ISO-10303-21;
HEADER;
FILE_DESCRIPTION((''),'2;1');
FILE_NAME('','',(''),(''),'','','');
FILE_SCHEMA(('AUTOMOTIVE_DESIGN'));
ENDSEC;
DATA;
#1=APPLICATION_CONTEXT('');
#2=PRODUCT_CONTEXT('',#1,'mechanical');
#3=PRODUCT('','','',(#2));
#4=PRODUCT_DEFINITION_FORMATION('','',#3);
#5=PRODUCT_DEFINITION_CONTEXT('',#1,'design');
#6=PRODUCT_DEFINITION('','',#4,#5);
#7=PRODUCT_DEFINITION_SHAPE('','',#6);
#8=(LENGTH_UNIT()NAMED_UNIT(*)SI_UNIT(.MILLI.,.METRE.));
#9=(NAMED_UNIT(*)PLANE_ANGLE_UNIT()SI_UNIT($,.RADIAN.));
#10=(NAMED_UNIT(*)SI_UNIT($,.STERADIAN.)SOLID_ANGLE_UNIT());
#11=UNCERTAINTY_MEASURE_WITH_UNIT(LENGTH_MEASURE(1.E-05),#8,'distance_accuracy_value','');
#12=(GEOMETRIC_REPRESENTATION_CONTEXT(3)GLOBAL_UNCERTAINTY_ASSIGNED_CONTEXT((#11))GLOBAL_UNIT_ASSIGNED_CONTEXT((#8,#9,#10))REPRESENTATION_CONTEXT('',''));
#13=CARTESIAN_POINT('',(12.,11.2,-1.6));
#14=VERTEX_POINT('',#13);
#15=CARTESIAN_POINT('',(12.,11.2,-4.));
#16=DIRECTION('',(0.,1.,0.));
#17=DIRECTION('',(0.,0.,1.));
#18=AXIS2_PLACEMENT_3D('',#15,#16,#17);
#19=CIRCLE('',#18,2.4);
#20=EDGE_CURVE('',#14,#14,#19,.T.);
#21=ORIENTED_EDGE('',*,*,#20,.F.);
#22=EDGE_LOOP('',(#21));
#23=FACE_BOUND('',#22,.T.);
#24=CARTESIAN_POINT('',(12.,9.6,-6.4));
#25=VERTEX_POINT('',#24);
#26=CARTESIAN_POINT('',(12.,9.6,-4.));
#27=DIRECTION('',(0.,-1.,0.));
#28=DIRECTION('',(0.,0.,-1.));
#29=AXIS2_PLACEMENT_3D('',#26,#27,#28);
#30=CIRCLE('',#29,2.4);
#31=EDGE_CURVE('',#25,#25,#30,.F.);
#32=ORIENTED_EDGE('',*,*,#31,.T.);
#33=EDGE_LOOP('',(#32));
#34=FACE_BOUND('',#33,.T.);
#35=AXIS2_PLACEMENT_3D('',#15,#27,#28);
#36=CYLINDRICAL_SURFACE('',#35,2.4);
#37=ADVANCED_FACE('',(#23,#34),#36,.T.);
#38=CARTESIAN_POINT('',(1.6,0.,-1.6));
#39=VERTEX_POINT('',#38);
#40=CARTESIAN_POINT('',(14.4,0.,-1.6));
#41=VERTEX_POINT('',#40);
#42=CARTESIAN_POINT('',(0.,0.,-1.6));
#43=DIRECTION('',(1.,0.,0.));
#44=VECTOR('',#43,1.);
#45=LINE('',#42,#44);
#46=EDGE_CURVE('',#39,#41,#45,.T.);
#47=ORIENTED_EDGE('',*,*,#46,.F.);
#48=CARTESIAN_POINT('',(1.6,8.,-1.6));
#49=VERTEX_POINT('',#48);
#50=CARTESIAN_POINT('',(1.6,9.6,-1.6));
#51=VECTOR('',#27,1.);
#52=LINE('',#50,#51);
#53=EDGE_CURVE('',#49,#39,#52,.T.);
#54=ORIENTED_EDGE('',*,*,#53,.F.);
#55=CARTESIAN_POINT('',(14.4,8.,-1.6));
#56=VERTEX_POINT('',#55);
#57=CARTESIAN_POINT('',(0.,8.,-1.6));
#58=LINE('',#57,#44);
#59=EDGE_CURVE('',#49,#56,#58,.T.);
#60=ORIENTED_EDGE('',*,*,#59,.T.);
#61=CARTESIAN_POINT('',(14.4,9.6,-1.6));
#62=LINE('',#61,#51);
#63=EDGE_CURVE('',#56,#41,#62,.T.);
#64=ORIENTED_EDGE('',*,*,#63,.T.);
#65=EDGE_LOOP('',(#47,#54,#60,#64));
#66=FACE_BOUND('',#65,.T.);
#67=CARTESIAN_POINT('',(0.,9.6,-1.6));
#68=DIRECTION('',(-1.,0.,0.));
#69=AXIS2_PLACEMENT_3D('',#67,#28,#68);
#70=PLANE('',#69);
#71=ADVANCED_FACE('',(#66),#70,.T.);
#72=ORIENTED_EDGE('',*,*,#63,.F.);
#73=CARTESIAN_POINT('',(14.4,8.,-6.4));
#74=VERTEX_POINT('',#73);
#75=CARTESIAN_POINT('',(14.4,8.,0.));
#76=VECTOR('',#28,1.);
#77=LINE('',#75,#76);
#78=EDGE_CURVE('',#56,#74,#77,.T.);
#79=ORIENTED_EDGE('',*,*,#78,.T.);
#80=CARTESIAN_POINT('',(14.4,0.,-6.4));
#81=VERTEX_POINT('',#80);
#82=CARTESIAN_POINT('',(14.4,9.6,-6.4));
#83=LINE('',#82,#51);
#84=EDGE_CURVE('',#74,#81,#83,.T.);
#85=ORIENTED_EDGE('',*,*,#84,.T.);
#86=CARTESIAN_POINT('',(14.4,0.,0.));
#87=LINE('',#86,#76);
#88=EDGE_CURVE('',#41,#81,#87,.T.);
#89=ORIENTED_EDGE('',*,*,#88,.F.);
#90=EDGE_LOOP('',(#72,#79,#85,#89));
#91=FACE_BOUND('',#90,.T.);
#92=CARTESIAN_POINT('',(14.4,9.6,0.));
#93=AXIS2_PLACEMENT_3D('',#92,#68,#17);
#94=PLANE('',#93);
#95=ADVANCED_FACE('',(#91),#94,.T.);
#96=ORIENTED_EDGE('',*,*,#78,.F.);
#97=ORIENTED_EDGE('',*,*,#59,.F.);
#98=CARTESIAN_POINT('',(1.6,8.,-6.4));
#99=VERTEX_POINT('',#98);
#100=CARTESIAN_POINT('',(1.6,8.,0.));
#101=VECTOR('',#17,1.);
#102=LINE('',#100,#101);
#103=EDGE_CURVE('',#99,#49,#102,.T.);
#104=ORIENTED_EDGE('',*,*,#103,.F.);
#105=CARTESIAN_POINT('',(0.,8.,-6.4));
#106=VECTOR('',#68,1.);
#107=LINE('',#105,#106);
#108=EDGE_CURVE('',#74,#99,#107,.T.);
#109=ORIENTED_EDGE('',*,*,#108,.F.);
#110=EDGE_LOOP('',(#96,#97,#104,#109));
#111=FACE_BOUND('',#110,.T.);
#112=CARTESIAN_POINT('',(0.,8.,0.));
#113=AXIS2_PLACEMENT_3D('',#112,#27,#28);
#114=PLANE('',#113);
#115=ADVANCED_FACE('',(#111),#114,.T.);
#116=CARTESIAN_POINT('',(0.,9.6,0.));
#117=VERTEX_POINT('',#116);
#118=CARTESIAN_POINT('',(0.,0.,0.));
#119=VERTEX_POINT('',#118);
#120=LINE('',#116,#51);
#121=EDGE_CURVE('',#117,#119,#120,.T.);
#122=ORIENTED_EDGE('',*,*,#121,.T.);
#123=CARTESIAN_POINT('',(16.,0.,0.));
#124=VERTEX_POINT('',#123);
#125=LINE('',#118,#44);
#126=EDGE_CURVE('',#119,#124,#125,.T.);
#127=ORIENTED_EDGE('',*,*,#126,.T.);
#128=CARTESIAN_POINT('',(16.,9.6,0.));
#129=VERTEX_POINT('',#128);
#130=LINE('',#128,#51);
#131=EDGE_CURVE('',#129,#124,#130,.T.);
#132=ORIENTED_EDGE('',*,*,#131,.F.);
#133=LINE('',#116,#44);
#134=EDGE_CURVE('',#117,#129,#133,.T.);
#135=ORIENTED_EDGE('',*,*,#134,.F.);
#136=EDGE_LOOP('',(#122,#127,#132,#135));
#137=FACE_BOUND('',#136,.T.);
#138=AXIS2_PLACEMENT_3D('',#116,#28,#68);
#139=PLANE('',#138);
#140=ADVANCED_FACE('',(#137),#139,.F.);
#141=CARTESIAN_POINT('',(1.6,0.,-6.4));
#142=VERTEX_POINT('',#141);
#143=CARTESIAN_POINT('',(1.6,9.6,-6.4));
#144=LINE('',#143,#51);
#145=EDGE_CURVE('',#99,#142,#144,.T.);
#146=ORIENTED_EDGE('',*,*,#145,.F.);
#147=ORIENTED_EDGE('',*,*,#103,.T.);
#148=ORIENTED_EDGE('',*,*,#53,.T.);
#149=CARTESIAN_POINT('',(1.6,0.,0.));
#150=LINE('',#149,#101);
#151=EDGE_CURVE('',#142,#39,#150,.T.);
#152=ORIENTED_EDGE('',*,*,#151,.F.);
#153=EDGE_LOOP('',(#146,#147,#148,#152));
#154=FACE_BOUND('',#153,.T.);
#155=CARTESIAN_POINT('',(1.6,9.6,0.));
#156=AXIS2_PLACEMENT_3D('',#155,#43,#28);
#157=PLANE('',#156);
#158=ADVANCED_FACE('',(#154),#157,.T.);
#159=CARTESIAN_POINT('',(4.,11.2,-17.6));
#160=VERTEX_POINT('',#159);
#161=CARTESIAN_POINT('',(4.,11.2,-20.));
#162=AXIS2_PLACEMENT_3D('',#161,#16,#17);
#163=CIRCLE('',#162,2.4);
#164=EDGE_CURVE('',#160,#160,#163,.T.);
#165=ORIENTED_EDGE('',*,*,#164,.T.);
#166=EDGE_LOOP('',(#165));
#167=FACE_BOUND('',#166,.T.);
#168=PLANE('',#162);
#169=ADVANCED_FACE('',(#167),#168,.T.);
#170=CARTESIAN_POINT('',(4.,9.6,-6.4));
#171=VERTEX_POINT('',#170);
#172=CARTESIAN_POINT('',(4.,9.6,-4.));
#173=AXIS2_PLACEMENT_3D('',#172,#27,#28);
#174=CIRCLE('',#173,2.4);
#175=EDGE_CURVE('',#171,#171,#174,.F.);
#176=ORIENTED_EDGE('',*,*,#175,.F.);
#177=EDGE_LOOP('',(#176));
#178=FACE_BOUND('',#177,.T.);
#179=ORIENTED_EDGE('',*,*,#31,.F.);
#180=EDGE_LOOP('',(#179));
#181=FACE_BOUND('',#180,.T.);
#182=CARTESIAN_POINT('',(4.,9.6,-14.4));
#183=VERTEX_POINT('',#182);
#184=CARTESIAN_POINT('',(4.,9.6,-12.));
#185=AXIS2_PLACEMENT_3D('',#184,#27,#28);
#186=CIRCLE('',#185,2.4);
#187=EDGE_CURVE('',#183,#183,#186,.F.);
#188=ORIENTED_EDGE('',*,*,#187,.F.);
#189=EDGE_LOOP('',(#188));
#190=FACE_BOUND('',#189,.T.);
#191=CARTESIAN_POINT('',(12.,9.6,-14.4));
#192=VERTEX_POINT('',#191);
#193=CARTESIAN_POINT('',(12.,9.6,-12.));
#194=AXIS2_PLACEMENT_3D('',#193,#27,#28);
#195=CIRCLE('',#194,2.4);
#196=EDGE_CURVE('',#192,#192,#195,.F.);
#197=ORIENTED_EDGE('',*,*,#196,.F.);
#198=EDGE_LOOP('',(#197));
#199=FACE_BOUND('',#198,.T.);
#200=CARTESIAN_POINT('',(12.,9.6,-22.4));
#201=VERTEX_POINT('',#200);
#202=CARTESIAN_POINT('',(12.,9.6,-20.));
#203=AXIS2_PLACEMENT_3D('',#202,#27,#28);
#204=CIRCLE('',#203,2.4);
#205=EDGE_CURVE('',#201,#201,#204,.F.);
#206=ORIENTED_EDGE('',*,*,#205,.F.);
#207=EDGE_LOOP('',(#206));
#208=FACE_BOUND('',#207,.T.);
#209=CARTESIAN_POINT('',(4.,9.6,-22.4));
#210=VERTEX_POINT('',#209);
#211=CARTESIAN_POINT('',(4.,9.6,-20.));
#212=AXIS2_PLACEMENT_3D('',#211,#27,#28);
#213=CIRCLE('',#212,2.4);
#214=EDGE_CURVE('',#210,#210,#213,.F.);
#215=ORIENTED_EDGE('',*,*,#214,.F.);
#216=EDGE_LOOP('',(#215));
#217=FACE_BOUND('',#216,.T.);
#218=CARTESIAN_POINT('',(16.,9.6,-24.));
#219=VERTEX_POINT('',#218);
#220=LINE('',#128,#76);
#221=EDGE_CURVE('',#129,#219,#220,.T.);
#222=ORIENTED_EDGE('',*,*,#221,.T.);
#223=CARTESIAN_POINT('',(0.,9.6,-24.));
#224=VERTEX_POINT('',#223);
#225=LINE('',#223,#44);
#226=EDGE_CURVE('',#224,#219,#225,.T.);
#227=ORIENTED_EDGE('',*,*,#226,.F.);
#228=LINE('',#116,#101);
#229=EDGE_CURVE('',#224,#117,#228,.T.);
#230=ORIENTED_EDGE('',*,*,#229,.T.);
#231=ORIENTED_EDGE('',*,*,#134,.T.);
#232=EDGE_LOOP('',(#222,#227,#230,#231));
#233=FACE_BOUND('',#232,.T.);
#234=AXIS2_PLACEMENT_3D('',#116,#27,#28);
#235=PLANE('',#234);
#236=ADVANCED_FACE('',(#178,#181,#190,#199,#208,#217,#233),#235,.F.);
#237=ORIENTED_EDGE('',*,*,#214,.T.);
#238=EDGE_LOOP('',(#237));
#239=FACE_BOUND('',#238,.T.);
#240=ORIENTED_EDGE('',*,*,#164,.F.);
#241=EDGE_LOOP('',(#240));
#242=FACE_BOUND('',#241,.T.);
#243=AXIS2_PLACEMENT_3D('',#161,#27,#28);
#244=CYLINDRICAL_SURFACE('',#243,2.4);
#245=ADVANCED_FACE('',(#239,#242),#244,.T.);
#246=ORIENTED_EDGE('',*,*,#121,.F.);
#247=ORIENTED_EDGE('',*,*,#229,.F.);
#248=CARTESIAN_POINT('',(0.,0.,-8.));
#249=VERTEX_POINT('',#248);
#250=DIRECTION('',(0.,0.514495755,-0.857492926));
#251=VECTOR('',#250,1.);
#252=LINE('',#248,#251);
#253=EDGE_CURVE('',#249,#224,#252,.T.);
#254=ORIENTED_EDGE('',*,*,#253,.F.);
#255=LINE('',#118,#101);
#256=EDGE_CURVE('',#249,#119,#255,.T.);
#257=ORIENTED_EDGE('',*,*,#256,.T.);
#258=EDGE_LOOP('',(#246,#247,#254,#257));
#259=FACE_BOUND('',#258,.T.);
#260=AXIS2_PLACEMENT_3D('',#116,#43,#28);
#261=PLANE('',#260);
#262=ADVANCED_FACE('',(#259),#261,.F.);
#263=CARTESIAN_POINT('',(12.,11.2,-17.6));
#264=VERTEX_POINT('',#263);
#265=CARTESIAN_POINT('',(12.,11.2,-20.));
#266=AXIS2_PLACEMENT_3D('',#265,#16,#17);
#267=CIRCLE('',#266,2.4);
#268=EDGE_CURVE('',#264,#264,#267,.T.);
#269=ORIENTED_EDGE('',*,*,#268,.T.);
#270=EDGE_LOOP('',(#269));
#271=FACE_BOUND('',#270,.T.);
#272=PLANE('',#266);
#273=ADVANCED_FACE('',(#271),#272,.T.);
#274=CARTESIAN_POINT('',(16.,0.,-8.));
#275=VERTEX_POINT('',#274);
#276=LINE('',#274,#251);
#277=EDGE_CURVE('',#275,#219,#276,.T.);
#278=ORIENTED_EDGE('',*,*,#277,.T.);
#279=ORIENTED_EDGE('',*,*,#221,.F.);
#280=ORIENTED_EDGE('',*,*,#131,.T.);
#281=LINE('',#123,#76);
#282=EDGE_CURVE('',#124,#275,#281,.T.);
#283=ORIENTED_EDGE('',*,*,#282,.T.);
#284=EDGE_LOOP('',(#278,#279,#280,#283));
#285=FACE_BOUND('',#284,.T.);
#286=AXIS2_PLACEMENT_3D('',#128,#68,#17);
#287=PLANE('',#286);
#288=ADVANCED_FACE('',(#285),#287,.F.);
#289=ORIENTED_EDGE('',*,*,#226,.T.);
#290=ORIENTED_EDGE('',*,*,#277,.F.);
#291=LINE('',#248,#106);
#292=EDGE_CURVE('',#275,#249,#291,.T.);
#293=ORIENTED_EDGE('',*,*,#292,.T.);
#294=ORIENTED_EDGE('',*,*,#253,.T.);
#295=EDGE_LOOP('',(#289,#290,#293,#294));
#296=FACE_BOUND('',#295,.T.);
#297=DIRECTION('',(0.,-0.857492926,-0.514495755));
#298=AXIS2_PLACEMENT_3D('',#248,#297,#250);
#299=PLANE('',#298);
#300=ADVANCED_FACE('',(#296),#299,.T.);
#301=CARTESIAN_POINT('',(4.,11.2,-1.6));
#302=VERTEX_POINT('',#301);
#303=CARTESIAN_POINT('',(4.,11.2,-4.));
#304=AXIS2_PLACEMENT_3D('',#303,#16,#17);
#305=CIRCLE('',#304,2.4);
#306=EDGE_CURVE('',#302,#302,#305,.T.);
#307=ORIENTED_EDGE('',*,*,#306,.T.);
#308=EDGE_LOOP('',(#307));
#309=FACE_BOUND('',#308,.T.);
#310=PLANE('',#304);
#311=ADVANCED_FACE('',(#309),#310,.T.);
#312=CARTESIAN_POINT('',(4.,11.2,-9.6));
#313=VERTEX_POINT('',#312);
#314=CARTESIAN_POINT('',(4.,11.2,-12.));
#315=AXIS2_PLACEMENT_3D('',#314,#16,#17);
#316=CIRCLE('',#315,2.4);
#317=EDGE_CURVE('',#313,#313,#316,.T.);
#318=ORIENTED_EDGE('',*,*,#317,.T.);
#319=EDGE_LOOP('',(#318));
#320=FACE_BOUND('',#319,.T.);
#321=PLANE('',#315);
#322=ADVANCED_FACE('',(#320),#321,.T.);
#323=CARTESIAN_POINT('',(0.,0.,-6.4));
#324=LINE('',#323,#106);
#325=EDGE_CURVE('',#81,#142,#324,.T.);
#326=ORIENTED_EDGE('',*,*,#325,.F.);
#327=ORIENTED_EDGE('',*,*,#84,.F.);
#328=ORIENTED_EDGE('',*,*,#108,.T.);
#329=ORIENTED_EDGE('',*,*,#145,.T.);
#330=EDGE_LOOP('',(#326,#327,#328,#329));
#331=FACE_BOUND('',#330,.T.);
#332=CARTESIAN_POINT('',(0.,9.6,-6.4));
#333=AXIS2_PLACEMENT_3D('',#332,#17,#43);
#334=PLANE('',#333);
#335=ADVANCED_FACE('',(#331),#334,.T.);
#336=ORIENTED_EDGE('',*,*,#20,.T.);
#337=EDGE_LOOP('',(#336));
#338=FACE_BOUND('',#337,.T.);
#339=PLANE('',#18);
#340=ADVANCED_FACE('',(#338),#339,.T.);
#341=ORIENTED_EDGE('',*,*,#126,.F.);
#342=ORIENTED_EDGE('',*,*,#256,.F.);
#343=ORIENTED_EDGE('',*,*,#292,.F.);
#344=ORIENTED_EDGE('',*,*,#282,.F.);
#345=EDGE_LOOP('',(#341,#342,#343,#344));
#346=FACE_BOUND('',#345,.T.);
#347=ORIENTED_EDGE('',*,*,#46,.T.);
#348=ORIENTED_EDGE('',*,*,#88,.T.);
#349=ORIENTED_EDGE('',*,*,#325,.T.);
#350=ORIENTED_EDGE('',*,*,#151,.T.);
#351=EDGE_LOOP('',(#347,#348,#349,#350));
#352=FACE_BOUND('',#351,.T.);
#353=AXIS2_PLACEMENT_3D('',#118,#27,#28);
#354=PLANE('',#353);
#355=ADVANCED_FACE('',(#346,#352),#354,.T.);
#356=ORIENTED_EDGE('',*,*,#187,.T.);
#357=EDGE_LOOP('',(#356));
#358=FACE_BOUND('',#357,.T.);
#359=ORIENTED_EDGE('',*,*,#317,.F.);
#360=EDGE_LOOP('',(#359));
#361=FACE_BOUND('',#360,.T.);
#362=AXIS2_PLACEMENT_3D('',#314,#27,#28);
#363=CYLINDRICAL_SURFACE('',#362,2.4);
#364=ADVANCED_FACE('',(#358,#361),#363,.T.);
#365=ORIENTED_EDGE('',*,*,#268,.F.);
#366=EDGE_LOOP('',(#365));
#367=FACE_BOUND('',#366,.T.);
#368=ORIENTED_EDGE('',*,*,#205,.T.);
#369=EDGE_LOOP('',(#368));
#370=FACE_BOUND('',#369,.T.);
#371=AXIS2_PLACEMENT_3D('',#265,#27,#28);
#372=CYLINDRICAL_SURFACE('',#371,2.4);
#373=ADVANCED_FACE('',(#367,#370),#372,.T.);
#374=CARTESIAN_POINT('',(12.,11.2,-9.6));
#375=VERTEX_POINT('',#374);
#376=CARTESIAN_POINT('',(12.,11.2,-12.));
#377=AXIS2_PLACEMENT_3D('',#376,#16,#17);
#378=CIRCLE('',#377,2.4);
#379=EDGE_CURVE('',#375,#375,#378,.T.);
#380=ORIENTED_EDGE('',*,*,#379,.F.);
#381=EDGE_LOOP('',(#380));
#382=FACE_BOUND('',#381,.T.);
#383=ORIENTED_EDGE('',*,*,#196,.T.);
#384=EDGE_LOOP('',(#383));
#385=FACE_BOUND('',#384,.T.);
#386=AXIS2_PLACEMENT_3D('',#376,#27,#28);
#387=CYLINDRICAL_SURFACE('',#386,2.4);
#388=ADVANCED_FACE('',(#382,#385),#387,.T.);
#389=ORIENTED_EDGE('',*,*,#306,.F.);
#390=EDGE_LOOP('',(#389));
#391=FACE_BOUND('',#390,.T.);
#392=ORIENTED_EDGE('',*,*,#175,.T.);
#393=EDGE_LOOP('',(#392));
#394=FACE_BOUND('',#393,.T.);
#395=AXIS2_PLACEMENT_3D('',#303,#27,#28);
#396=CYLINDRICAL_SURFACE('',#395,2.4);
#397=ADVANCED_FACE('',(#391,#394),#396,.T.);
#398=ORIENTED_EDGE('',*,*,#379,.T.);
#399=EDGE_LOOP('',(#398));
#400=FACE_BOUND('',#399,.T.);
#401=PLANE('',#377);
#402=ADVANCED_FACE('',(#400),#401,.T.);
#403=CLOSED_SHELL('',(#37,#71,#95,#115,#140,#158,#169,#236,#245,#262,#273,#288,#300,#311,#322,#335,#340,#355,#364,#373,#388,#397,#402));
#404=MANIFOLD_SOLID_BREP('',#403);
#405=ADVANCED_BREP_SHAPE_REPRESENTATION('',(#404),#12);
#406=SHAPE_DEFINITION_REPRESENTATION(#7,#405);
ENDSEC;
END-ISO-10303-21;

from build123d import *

# Parameters (mm, degrees)
SKETCH1_W            = 16
SKETCH1_H            = 8
BOSS_EXTRUDE1_DEPTH  = 9.6
SHELL1_T             = -1.6
BOSS_EXTRUDE3_DEPTH  = 16
SKETCH2_R            = 2.4
BOSS_EXTRUDE2_DEPTH  = 1.6
LPATTERN1_COUNT      = 2
LPATTERN1_PITCH      = 8
LPATTERN1_COUNT_DIR2 = 3
LPATTERN1_PITCH_DIR2 = 8


with BuildPart() as part:
    # Sketch1 → Boss-Extrude1 (new body)
    with BuildSketch(Plane(origin=(0, 0, 0), x_dir=(1, 0, 0), z_dir=(0, 1, 0))):
        with Locations((8, 4)):
            Rectangle(SKETCH1_W, SKETCH1_H)
    extrude(amount=BOSS_EXTRUDE1_DEPTH)

    # Shell1
    shell1_openings = [part.faces().sort_by_distance(p)[0] for p in [
        (8, 0, -4),
    ]]
    offset(amount=SHELL1_T, openings=shell1_openings, kind=Kind.INTERSECTION)

    # Sketch3 → Boss-Extrude3 (add)
    with BuildSketch(Plane(origin=(16, 0, 0), x_dir=(0, 0, -1), z_dir=(1, 0, 0))):
        Polygon((8, 0), (24, 9.6), (8, 9.6), align=None)
    extrude(amount=-BOSS_EXTRUDE3_DEPTH)

    # Sketch2 → Boss-Extrude2 (add)
    with BuildSketch(Plane(origin=(0, 9.6, 0), x_dir=(1, 0, 0), z_dir=(0, 1, 0))):
        with Locations(Location((12, 4, 0), (0, 0, 90))):
            Circle(SKETCH2_R)
    boss_extrude2 = extrude(amount=BOSS_EXTRUDE2_DEPTH)

    # LPattern1: Boss-Extrude2 2 × 3
    with Locations(*[(-i * LPATTERN1_PITCH, 0, -j * LPATTERN1_PITCH_DIR2) for i in range(LPATTERN1_COUNT) for j in range(LPATTERN1_COUNT_DIR2) if (i, j) != (0, 0)]):
        add(boss_extrude2)


solid = part.part
